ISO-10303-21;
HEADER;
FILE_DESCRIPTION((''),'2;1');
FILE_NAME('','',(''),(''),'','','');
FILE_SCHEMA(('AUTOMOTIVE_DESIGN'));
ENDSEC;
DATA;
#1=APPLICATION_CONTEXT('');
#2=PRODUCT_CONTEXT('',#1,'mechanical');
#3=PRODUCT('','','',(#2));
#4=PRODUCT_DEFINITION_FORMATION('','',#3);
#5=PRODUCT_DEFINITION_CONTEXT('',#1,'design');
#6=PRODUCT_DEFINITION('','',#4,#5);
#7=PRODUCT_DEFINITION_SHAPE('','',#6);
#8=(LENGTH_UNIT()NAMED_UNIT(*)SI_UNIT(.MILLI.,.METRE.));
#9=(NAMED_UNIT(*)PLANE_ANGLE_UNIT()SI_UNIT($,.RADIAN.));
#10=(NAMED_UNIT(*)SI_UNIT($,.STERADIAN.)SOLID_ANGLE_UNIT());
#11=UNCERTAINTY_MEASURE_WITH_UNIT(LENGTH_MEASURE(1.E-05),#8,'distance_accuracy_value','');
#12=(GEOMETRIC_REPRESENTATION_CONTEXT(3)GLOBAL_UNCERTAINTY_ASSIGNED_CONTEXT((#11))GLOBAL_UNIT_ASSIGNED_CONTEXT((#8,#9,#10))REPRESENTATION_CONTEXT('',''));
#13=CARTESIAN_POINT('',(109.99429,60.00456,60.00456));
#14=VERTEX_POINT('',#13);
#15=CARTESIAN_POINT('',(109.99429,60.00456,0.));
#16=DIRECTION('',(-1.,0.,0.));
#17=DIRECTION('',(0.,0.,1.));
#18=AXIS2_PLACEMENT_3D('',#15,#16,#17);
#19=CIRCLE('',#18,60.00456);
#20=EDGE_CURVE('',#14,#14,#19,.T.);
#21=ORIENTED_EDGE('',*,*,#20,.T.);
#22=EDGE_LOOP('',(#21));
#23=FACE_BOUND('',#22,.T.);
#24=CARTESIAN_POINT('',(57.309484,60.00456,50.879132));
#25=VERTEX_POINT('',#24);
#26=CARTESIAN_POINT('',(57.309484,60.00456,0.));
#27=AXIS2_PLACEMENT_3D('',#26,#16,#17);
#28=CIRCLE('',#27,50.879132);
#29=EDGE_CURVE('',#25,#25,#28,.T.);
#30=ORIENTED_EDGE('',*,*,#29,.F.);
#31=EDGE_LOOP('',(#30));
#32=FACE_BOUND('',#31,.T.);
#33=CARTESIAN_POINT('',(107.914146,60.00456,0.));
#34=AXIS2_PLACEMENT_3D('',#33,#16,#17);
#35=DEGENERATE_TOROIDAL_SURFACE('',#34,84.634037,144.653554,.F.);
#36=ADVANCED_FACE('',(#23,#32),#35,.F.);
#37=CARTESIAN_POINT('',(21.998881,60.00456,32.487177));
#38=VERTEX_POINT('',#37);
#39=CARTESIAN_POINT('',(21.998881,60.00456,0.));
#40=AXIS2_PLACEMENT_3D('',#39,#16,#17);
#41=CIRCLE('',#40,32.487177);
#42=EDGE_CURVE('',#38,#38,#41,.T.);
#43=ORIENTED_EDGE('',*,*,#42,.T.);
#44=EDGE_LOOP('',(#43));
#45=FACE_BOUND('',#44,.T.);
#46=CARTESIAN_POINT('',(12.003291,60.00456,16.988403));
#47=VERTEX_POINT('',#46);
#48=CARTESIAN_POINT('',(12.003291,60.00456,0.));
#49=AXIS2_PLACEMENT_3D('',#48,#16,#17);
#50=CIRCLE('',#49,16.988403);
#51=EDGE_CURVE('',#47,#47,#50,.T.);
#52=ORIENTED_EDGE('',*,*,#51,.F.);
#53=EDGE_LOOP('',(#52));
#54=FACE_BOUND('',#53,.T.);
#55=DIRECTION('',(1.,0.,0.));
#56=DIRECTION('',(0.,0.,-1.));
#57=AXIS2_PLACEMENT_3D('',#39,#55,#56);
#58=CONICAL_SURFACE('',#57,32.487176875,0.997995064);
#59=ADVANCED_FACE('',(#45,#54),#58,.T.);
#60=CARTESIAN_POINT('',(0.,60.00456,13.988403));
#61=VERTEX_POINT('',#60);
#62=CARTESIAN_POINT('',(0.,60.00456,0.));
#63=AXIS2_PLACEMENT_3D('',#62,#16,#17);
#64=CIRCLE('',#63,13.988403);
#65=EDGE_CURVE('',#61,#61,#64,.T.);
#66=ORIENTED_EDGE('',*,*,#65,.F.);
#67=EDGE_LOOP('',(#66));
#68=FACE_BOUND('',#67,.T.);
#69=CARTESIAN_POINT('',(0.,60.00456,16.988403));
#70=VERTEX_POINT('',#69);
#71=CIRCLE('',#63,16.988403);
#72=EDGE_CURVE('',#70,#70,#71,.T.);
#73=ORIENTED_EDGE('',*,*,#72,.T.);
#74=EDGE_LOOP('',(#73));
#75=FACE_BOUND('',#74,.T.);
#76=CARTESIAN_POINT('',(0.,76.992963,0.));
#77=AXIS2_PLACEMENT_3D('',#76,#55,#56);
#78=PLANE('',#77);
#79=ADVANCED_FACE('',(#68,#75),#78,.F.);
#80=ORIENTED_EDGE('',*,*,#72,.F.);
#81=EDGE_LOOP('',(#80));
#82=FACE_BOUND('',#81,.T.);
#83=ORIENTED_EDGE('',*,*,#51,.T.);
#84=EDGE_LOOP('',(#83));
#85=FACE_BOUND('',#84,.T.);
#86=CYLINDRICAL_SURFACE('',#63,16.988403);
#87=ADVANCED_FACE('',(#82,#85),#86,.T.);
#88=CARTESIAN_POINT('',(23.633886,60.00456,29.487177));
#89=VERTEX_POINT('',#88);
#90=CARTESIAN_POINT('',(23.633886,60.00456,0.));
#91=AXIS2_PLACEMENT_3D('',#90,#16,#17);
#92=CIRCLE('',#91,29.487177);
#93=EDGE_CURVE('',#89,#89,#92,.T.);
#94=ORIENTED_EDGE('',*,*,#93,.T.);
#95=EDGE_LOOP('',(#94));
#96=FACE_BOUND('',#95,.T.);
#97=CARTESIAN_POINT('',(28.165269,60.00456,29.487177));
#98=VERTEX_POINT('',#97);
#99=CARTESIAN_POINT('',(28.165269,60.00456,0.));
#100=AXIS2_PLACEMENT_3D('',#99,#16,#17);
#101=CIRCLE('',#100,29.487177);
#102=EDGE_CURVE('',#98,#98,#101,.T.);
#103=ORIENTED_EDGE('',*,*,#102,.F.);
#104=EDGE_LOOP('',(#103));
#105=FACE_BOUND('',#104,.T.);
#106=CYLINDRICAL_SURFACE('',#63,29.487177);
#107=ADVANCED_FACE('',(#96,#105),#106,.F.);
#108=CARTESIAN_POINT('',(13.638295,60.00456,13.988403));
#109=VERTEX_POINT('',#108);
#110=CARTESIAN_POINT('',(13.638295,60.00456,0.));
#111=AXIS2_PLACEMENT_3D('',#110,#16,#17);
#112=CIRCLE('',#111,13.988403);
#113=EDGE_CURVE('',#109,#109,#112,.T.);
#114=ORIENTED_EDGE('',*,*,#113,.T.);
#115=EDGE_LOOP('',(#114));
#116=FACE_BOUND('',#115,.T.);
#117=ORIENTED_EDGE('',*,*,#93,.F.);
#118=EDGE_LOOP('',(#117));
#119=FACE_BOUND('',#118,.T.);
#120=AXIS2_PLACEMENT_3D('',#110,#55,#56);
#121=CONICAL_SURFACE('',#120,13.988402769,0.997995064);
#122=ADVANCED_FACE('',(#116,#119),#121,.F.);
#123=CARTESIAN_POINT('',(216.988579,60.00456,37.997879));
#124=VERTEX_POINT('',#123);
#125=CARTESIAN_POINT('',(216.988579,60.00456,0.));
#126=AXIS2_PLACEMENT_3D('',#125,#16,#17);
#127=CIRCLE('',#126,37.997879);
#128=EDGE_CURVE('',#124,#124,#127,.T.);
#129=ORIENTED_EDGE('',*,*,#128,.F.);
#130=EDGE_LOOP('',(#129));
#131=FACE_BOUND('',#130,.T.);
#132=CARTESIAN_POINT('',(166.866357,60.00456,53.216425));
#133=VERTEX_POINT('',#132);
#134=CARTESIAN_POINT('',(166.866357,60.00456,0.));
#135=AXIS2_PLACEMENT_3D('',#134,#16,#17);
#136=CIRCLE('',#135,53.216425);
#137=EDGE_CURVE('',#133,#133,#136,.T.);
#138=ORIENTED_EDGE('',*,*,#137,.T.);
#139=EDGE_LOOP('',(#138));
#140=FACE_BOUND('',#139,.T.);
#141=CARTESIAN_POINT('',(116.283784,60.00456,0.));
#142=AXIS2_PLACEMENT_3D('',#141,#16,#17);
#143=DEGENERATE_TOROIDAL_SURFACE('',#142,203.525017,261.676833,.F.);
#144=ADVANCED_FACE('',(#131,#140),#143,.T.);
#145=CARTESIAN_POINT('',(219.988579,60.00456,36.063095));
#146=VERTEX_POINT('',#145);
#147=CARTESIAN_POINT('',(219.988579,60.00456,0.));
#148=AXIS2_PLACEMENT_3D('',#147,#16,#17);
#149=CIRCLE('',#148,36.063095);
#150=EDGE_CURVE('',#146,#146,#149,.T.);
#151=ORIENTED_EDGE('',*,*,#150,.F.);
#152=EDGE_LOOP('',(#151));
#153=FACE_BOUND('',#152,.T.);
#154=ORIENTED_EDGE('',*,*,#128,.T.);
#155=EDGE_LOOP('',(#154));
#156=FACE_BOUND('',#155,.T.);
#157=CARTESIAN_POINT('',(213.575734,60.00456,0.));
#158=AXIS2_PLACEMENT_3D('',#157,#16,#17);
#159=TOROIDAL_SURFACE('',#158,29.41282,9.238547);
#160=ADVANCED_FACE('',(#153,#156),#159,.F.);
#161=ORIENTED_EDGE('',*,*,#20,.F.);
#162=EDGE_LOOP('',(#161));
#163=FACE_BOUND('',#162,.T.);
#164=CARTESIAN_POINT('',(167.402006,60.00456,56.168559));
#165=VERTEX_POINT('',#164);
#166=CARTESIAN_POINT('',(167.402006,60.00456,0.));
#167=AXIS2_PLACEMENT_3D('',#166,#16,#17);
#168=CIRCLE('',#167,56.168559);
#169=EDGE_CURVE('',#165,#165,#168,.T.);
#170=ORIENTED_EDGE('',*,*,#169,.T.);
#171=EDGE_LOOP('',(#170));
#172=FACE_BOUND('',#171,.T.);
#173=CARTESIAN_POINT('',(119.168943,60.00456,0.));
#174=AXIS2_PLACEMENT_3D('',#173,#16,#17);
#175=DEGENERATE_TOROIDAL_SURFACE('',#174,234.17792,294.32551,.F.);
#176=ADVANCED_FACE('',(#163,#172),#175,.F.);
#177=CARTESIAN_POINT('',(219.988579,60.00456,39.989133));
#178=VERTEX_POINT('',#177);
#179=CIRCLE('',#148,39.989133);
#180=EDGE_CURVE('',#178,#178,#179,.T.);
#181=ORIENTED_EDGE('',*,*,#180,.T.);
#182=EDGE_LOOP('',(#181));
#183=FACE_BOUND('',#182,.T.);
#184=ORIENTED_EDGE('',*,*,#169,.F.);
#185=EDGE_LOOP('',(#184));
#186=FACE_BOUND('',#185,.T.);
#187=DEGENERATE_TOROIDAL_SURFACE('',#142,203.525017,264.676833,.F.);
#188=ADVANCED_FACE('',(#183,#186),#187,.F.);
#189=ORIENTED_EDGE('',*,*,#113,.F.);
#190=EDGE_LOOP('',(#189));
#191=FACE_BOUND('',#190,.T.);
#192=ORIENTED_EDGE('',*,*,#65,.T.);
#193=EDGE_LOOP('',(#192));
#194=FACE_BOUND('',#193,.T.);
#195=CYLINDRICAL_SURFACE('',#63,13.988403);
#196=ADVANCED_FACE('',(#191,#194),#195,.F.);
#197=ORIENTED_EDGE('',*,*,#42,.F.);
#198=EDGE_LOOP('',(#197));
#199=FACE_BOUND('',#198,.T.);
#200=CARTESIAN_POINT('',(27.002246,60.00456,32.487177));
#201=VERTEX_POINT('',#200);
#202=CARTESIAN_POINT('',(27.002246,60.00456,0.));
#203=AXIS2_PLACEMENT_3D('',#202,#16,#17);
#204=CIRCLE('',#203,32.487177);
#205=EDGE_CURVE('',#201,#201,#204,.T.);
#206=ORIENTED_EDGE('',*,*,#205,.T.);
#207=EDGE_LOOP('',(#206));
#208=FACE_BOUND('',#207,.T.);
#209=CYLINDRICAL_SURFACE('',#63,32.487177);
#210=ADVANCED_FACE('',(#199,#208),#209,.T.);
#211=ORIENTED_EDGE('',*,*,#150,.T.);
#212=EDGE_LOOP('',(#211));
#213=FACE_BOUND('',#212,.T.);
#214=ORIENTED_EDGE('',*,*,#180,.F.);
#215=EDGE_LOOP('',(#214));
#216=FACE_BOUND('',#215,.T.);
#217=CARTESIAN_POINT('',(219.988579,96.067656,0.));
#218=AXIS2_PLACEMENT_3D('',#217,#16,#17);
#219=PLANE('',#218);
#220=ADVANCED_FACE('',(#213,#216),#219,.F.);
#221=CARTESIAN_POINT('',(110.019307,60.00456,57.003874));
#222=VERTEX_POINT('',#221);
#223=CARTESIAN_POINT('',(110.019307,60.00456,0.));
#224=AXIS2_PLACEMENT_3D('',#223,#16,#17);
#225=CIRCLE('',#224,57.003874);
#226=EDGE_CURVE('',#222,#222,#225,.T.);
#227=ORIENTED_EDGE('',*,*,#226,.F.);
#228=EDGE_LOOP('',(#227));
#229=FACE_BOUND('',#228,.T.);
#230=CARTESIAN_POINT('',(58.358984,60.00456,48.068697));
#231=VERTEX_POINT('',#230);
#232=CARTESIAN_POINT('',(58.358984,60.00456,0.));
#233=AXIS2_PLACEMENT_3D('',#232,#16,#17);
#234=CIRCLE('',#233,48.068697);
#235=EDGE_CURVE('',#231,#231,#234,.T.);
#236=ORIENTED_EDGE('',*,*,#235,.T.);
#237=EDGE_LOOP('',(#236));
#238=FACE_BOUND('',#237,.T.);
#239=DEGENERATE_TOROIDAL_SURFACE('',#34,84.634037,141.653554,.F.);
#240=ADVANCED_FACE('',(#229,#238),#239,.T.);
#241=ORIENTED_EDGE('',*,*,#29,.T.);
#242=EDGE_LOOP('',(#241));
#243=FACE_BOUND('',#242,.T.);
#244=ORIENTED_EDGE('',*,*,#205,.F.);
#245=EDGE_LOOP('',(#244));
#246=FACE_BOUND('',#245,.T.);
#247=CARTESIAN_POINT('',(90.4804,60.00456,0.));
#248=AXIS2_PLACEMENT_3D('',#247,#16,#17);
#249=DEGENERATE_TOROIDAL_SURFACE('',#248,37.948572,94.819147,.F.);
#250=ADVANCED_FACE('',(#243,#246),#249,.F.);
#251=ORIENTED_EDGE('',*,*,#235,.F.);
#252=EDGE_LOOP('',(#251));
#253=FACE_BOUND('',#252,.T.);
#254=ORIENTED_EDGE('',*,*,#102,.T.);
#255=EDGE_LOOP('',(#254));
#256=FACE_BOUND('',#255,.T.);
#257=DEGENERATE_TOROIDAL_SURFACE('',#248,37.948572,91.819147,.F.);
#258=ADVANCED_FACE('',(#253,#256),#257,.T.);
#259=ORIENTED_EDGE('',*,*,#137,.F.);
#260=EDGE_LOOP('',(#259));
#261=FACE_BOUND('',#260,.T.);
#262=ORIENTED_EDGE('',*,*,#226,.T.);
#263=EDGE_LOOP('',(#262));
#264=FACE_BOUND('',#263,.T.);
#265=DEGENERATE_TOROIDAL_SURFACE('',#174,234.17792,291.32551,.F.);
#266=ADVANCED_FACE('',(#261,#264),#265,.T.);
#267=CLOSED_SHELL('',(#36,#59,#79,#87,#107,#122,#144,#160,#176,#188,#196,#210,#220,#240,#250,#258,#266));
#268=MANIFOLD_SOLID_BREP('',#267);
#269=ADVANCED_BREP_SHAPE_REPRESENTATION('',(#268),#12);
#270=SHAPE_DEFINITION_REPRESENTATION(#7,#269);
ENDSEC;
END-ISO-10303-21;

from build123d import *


with BuildPart() as part:
    # Sketch2 → Revolve2 (revolve)
    with BuildSketch(Plane.XY):
        with BuildLine():
            Line((0, 73.992963131), (13.638295153, 73.992963131))
            Line((13.638295153, 73.992963131), (23.633885542, 89.491737237))
            Line((23.633885542, 89.491737237), (28.165268574, 89.491737237))
            ThreePointArc((28.165268574, 89.491737237), (42.356771966, 100.253637016), (58.358984334, 108.073256874))
            ThreePointArc((58.358984334, 108.073256874), (83.772170346, 114.95166298), (110.019307059, 117.008434295))
            ThreePointArc((110.019307059, 117.008434295), (138.535641093, 116.50770952), (166.866357242, 113.220985542))
            ThreePointArc((166.866357242, 113.220985542), (192.309227067, 106.869033698), (216.988579084, 98.002439021))
            ThreePointArc((216.988579084, 98.002439021), (218.582918186, 97.181325857), (219.988579084, 96.067655601))
            Line((219.988579084, 96.067655601), (219.988579084, 99.993693578))
            ThreePointArc((219.988579084, 99.993693578), (194.116843001, 109.453535678), (167.402005562, 116.173119081))
            ThreePointArc((167.402005562, 116.173119081), (138.792106802, 119.497267879), (109.994289542, 120.009120724))
            ThreePointArc((109.994289542, 120.009120724), (83.226586613, 117.901836639), (57.309483773, 110.88369253))
            ThreePointArc((57.309483773, 110.88369253), (41.288666098, 103.116731205), (27.00224631, 92.491737237))
            Line((27.00224631, 92.491737237), (21.99888089, 92.491737237))
            Line((21.99888089, 92.491737237), (12.0032905, 76.992963131))
            Line((12.0032905, 76.992963131), (0, 76.992963131))
            Line((0, 76.992963131), (0, 73.992963131))
        make_face()
    revolve(axis=Axis((0, 60.004560362, 0), (1, 0, 0)))


solid = part.part
